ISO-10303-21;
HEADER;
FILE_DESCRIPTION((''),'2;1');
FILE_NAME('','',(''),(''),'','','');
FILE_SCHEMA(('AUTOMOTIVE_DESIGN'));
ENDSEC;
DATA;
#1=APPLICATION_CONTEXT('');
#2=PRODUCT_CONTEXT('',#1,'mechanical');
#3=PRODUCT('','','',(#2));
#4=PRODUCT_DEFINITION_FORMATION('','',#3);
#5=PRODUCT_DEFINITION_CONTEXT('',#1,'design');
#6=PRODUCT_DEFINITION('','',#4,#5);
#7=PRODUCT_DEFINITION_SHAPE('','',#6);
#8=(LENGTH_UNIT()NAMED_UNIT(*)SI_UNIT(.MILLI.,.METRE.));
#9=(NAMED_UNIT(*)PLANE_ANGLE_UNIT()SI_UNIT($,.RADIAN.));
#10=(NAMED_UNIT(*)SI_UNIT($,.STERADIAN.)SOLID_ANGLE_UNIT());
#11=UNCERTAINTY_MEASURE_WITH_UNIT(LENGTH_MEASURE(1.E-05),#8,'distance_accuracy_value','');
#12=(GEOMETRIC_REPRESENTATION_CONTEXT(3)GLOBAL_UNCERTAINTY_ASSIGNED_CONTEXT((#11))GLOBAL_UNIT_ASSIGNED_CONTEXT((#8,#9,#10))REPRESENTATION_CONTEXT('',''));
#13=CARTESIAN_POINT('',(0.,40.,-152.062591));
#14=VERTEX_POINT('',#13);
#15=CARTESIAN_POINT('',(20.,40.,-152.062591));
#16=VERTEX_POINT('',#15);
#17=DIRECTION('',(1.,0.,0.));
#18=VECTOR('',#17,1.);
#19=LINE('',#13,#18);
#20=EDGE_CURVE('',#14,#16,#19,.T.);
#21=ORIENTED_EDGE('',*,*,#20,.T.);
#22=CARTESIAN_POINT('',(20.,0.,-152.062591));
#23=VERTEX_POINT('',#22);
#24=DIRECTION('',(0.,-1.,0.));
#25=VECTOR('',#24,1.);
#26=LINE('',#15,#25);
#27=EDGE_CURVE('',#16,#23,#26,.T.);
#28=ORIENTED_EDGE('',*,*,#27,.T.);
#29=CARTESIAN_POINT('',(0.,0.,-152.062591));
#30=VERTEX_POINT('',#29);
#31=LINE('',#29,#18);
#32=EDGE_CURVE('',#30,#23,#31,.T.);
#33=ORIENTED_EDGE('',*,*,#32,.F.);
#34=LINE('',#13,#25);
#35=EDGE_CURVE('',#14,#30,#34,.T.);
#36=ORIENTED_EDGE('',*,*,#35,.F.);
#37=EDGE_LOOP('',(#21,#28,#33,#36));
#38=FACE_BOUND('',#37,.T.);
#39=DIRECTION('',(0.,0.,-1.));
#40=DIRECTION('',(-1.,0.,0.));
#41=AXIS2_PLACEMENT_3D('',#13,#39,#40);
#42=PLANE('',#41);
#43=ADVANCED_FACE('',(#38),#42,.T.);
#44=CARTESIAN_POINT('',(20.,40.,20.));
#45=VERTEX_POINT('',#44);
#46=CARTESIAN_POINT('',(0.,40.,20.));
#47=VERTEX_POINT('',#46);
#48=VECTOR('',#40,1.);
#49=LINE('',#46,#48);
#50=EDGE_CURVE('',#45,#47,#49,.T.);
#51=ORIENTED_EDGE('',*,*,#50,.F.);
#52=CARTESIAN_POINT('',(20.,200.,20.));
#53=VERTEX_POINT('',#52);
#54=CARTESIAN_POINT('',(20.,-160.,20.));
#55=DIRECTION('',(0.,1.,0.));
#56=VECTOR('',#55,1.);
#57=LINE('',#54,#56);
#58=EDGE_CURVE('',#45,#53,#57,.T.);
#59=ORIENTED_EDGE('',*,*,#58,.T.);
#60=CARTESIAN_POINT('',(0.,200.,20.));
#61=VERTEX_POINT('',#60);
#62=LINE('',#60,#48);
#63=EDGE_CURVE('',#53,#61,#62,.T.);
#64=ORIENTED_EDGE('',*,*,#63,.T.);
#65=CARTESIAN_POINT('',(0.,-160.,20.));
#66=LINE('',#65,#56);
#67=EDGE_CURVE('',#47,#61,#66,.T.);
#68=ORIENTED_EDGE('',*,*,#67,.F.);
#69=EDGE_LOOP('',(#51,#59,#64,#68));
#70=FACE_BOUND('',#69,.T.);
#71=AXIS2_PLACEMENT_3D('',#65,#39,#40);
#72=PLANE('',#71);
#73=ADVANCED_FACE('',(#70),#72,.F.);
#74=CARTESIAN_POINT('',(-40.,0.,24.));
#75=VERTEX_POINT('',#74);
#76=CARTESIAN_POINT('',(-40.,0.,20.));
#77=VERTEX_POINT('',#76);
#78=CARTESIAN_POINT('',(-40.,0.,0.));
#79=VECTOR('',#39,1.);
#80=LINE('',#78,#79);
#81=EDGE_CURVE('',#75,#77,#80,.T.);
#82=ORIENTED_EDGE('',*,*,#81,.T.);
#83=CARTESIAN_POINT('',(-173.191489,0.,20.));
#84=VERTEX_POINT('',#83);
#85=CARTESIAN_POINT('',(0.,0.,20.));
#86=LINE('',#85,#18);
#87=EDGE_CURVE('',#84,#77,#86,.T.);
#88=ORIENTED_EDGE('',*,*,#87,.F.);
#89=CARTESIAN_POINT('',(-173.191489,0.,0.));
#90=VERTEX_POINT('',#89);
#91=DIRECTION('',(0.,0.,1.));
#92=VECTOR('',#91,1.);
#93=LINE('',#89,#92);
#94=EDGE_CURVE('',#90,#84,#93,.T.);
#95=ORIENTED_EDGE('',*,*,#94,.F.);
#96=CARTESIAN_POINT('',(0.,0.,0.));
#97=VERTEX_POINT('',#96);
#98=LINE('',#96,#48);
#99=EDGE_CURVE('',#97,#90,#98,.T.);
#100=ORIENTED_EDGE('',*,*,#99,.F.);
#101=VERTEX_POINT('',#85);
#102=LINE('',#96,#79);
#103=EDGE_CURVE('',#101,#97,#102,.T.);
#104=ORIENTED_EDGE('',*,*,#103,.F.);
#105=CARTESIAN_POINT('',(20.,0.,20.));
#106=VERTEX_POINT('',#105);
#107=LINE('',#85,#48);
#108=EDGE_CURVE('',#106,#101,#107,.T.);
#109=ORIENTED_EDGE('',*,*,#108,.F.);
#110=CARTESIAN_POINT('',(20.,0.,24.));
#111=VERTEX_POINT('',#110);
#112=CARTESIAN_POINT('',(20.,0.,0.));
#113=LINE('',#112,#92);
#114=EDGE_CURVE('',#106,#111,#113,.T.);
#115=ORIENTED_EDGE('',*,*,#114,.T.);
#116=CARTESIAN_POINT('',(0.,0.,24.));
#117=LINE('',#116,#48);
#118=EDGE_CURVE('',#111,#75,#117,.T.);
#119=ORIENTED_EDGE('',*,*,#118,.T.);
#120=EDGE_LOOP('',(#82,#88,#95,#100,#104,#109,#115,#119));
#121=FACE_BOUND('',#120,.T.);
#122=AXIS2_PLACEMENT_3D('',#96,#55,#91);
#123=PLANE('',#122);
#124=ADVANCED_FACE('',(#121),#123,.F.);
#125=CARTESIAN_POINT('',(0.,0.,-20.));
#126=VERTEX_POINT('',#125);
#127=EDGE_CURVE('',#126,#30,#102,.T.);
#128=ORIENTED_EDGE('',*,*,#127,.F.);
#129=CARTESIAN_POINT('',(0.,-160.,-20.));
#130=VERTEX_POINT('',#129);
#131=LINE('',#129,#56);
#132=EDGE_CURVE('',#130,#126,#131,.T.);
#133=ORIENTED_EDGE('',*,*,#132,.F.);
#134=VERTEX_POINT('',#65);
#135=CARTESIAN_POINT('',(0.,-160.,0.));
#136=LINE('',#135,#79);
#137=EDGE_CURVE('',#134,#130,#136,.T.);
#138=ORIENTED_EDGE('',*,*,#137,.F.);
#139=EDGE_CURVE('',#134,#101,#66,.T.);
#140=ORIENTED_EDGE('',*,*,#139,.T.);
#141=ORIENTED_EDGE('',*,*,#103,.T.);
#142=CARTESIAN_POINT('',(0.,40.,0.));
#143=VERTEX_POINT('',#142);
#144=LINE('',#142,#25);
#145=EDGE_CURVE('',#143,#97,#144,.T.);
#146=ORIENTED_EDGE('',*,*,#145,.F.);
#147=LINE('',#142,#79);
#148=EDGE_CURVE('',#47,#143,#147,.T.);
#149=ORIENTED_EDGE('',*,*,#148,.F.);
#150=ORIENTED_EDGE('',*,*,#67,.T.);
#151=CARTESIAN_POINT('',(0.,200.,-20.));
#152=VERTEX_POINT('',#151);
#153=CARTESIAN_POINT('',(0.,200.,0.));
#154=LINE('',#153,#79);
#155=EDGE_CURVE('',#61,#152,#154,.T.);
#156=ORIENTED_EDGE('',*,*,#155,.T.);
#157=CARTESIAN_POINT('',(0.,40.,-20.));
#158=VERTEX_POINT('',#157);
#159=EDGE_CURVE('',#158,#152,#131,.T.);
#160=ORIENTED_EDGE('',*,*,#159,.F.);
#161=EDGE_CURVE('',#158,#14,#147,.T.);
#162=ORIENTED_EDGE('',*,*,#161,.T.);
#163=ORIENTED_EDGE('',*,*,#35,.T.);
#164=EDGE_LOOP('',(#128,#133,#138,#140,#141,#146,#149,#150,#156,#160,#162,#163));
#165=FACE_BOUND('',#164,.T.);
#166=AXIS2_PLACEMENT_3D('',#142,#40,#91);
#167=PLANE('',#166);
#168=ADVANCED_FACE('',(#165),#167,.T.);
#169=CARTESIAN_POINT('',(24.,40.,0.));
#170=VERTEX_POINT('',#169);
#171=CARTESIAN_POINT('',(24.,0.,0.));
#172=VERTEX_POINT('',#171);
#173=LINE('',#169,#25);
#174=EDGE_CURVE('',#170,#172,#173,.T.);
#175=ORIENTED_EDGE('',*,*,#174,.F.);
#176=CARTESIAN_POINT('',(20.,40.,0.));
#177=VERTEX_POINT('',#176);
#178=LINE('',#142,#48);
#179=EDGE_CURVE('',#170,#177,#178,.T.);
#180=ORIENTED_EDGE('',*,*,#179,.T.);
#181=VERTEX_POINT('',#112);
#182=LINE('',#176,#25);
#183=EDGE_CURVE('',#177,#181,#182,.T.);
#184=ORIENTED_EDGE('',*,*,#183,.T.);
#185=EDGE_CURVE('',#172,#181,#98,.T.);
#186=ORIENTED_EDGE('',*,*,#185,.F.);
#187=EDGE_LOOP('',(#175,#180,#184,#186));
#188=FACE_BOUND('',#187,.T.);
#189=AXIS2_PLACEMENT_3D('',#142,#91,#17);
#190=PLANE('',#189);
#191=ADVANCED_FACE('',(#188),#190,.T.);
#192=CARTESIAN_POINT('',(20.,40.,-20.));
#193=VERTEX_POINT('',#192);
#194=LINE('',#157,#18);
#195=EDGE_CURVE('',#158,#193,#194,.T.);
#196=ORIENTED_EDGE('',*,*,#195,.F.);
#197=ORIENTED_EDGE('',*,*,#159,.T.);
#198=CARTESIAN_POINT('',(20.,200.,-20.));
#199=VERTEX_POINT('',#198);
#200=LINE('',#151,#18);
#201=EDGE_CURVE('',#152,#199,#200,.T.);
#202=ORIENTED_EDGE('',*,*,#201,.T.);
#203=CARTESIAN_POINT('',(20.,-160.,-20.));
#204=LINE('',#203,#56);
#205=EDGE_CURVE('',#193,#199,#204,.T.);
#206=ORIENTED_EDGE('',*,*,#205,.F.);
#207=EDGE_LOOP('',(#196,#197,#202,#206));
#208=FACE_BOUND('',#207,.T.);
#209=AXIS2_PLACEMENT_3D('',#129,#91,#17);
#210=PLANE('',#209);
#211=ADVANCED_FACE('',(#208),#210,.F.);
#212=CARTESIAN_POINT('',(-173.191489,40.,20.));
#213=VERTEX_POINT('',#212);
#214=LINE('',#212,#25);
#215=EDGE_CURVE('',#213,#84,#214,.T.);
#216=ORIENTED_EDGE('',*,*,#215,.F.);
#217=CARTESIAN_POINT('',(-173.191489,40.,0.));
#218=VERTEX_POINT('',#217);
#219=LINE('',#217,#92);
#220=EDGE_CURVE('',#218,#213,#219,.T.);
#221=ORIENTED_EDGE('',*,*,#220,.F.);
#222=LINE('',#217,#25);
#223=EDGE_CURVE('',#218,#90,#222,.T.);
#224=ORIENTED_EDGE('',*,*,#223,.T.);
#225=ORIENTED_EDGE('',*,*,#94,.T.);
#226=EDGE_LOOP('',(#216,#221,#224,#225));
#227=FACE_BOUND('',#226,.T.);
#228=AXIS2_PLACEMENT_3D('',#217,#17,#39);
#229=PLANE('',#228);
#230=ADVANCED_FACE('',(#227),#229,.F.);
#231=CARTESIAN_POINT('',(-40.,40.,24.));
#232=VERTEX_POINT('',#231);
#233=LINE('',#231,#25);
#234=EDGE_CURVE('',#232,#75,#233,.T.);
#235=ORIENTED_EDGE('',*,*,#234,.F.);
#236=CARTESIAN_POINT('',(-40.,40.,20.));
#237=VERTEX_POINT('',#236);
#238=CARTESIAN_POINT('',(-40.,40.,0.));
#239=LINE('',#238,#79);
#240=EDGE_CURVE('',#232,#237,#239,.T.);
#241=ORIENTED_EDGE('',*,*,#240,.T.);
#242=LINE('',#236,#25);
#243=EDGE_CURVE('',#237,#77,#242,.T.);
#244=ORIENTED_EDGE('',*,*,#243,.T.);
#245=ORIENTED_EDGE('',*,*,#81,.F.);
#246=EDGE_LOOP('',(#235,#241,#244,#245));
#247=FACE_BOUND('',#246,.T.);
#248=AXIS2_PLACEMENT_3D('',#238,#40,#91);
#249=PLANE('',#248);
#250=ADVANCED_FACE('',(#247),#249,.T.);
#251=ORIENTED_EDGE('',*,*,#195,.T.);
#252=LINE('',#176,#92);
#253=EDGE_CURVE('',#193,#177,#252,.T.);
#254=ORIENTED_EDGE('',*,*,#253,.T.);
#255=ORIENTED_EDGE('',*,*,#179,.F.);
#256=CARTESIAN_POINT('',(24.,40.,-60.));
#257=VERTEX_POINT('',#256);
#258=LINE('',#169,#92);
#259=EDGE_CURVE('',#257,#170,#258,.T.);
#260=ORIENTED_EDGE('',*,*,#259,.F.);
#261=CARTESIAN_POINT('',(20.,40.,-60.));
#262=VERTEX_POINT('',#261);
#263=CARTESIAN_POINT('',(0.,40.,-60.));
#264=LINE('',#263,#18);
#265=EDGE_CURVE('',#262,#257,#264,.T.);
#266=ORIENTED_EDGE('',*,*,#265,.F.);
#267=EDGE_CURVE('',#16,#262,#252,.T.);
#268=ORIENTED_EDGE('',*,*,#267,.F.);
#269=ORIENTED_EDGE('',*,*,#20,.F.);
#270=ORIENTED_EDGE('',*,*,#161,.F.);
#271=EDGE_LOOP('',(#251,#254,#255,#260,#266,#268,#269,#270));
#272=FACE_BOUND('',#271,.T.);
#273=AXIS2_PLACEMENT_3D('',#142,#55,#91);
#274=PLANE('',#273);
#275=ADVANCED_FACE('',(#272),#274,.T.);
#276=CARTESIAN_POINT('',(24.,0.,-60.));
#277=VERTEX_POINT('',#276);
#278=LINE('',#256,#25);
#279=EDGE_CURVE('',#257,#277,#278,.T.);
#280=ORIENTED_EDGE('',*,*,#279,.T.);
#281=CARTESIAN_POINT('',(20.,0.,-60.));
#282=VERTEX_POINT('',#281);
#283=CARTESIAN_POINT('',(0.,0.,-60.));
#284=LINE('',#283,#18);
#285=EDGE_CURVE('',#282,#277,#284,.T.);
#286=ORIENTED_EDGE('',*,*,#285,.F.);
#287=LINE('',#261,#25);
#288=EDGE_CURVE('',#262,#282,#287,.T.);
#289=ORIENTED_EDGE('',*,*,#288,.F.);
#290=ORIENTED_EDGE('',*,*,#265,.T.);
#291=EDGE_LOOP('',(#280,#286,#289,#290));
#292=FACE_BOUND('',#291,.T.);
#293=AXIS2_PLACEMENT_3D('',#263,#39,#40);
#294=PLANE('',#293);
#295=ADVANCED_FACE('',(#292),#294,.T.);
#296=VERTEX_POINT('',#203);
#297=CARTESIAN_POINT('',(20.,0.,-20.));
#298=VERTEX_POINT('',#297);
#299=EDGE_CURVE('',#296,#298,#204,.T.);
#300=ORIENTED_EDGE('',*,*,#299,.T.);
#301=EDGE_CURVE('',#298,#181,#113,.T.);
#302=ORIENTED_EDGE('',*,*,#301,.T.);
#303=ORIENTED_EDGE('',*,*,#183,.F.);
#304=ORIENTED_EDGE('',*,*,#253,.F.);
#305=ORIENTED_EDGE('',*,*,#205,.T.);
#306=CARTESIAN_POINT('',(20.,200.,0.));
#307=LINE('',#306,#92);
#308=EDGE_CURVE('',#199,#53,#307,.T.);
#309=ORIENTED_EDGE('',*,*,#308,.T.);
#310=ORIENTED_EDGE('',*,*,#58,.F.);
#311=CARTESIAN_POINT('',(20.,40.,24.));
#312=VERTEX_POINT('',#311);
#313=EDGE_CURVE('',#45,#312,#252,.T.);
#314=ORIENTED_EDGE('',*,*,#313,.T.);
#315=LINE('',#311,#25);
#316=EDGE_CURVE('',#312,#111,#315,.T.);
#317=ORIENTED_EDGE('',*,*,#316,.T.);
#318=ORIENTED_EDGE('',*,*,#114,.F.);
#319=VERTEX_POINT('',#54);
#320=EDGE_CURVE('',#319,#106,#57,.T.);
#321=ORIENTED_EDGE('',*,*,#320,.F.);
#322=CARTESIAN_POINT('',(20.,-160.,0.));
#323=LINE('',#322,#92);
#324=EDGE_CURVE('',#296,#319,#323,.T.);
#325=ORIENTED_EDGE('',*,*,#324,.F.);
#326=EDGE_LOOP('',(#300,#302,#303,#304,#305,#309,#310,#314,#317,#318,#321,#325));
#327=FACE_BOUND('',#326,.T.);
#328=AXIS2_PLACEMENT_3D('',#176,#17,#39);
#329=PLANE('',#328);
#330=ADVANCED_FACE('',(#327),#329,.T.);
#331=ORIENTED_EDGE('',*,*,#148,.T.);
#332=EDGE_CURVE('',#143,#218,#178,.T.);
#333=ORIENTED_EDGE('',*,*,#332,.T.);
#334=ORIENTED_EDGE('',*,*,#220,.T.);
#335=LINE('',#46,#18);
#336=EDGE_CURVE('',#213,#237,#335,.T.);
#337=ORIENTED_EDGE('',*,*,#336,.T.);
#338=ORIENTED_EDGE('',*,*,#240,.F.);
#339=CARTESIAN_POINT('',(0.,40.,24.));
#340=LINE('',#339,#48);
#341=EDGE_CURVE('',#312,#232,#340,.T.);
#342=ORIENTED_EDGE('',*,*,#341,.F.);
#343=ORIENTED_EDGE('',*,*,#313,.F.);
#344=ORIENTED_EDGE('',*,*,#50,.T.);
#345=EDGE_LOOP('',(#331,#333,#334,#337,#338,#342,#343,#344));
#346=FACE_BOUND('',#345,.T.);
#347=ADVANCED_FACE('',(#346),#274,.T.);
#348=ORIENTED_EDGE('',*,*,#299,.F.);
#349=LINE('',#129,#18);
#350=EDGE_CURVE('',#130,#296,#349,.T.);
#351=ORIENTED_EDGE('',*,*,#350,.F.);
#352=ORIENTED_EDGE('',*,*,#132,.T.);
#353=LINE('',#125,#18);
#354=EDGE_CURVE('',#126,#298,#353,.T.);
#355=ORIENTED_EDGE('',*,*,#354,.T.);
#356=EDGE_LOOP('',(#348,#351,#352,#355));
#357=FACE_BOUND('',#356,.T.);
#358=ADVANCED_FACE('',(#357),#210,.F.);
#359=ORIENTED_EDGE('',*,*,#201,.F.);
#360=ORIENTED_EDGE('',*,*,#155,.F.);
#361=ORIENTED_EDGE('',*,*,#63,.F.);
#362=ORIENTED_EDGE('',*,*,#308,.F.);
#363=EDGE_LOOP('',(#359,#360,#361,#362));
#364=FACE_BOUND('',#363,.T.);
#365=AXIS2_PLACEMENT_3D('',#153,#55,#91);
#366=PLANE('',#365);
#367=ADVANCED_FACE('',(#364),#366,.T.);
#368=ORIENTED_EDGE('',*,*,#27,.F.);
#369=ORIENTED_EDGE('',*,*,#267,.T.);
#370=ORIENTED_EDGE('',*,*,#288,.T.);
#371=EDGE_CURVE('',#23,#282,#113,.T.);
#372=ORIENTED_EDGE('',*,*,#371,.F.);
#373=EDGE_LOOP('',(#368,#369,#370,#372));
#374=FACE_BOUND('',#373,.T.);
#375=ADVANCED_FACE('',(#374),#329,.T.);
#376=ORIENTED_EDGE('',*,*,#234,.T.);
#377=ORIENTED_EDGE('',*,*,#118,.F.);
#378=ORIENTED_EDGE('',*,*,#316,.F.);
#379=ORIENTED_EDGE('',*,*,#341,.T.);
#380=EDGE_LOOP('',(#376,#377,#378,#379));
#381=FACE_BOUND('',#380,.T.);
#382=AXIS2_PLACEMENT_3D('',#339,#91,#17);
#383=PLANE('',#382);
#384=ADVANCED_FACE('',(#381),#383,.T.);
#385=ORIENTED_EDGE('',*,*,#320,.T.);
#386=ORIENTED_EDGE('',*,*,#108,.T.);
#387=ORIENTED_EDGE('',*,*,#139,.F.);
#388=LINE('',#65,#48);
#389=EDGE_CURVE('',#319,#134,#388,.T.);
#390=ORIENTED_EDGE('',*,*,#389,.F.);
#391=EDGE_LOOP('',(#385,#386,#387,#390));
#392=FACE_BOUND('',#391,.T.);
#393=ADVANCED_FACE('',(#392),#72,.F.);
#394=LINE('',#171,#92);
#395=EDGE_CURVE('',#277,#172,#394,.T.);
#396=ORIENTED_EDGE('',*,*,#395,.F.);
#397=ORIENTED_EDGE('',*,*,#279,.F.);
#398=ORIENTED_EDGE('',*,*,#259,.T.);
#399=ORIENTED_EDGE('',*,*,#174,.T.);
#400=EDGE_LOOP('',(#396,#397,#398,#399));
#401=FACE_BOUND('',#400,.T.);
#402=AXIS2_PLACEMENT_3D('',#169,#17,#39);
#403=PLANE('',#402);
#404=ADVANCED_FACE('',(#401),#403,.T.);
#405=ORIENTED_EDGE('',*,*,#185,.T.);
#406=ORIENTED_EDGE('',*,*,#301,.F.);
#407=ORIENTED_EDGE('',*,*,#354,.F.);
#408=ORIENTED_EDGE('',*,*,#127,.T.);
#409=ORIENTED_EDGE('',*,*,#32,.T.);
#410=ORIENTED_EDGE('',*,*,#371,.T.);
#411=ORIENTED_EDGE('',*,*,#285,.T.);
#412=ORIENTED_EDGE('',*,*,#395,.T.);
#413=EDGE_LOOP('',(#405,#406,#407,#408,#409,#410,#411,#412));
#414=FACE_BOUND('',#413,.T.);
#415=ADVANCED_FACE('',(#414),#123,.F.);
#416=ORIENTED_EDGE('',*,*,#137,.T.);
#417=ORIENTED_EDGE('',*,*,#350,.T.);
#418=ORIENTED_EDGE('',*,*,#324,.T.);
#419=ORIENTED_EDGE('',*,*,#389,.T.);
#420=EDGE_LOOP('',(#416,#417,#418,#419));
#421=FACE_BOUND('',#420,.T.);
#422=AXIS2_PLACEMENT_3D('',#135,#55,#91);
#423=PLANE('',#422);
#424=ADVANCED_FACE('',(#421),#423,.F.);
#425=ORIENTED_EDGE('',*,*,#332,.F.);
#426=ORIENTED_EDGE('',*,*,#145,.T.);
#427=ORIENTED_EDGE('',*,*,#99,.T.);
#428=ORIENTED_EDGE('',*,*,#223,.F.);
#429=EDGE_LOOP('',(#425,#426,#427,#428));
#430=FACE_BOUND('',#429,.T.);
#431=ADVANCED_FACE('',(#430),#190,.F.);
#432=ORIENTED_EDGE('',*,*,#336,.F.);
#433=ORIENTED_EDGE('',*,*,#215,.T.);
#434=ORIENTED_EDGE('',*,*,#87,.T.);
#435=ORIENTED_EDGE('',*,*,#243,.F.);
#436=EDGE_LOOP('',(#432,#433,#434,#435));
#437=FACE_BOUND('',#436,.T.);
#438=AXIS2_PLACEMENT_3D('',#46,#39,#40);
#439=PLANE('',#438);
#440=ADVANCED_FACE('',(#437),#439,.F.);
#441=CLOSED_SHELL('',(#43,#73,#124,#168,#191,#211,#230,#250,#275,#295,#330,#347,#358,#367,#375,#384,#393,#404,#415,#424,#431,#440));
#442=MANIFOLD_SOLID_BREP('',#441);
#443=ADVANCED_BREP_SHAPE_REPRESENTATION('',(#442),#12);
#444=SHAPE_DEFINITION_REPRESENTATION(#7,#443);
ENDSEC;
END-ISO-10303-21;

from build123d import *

# Parameters (mm, degrees)
BOSS_EXTRUDE1_DEPTH      = 40
BOSS_EXTRUDE2_DEPTH      = 200
BOSS_EXTRUDE2_DEPTH_BACK = 160


with BuildPart() as part:
    # Sketch1 → Boss-Extrude1 (new body)
    with BuildSketch(Plane(origin=(0, 0, 0), x_dir=(1, 0, 0), z_dir=(0, 1, 0))):
        Polygon((-173.191489362, -20), (-40, -20), (-40, -24), (20, -24), (20, 0), (24, 0), (24, 60), (20, 60), (20, 152.062590847), (0, 152.062590847), (0, 0), (-173.191489362, 0), align=None)
    extrude(amount=BOSS_EXTRUDE1_DEPTH)

    # Sketch1<3> → Boss-Extrude2 (add, two sides: drawn at the far end of the back side and taken through both)
    with BuildSketch(Plane(origin=(0, 0, 0), x_dir=(1, 0, 0), z_dir=(0, 1, 0)).offset(-BOSS_EXTRUDE2_DEPTH_BACK)):
        Polygon((0, 20), (0, 0), (0, -20), (20, -20), (20, 0), (20, 20), align=None)
    extrude(amount=BOSS_EXTRUDE2_DEPTH + BOSS_EXTRUDE2_DEPTH_BACK)


solid = part.part
